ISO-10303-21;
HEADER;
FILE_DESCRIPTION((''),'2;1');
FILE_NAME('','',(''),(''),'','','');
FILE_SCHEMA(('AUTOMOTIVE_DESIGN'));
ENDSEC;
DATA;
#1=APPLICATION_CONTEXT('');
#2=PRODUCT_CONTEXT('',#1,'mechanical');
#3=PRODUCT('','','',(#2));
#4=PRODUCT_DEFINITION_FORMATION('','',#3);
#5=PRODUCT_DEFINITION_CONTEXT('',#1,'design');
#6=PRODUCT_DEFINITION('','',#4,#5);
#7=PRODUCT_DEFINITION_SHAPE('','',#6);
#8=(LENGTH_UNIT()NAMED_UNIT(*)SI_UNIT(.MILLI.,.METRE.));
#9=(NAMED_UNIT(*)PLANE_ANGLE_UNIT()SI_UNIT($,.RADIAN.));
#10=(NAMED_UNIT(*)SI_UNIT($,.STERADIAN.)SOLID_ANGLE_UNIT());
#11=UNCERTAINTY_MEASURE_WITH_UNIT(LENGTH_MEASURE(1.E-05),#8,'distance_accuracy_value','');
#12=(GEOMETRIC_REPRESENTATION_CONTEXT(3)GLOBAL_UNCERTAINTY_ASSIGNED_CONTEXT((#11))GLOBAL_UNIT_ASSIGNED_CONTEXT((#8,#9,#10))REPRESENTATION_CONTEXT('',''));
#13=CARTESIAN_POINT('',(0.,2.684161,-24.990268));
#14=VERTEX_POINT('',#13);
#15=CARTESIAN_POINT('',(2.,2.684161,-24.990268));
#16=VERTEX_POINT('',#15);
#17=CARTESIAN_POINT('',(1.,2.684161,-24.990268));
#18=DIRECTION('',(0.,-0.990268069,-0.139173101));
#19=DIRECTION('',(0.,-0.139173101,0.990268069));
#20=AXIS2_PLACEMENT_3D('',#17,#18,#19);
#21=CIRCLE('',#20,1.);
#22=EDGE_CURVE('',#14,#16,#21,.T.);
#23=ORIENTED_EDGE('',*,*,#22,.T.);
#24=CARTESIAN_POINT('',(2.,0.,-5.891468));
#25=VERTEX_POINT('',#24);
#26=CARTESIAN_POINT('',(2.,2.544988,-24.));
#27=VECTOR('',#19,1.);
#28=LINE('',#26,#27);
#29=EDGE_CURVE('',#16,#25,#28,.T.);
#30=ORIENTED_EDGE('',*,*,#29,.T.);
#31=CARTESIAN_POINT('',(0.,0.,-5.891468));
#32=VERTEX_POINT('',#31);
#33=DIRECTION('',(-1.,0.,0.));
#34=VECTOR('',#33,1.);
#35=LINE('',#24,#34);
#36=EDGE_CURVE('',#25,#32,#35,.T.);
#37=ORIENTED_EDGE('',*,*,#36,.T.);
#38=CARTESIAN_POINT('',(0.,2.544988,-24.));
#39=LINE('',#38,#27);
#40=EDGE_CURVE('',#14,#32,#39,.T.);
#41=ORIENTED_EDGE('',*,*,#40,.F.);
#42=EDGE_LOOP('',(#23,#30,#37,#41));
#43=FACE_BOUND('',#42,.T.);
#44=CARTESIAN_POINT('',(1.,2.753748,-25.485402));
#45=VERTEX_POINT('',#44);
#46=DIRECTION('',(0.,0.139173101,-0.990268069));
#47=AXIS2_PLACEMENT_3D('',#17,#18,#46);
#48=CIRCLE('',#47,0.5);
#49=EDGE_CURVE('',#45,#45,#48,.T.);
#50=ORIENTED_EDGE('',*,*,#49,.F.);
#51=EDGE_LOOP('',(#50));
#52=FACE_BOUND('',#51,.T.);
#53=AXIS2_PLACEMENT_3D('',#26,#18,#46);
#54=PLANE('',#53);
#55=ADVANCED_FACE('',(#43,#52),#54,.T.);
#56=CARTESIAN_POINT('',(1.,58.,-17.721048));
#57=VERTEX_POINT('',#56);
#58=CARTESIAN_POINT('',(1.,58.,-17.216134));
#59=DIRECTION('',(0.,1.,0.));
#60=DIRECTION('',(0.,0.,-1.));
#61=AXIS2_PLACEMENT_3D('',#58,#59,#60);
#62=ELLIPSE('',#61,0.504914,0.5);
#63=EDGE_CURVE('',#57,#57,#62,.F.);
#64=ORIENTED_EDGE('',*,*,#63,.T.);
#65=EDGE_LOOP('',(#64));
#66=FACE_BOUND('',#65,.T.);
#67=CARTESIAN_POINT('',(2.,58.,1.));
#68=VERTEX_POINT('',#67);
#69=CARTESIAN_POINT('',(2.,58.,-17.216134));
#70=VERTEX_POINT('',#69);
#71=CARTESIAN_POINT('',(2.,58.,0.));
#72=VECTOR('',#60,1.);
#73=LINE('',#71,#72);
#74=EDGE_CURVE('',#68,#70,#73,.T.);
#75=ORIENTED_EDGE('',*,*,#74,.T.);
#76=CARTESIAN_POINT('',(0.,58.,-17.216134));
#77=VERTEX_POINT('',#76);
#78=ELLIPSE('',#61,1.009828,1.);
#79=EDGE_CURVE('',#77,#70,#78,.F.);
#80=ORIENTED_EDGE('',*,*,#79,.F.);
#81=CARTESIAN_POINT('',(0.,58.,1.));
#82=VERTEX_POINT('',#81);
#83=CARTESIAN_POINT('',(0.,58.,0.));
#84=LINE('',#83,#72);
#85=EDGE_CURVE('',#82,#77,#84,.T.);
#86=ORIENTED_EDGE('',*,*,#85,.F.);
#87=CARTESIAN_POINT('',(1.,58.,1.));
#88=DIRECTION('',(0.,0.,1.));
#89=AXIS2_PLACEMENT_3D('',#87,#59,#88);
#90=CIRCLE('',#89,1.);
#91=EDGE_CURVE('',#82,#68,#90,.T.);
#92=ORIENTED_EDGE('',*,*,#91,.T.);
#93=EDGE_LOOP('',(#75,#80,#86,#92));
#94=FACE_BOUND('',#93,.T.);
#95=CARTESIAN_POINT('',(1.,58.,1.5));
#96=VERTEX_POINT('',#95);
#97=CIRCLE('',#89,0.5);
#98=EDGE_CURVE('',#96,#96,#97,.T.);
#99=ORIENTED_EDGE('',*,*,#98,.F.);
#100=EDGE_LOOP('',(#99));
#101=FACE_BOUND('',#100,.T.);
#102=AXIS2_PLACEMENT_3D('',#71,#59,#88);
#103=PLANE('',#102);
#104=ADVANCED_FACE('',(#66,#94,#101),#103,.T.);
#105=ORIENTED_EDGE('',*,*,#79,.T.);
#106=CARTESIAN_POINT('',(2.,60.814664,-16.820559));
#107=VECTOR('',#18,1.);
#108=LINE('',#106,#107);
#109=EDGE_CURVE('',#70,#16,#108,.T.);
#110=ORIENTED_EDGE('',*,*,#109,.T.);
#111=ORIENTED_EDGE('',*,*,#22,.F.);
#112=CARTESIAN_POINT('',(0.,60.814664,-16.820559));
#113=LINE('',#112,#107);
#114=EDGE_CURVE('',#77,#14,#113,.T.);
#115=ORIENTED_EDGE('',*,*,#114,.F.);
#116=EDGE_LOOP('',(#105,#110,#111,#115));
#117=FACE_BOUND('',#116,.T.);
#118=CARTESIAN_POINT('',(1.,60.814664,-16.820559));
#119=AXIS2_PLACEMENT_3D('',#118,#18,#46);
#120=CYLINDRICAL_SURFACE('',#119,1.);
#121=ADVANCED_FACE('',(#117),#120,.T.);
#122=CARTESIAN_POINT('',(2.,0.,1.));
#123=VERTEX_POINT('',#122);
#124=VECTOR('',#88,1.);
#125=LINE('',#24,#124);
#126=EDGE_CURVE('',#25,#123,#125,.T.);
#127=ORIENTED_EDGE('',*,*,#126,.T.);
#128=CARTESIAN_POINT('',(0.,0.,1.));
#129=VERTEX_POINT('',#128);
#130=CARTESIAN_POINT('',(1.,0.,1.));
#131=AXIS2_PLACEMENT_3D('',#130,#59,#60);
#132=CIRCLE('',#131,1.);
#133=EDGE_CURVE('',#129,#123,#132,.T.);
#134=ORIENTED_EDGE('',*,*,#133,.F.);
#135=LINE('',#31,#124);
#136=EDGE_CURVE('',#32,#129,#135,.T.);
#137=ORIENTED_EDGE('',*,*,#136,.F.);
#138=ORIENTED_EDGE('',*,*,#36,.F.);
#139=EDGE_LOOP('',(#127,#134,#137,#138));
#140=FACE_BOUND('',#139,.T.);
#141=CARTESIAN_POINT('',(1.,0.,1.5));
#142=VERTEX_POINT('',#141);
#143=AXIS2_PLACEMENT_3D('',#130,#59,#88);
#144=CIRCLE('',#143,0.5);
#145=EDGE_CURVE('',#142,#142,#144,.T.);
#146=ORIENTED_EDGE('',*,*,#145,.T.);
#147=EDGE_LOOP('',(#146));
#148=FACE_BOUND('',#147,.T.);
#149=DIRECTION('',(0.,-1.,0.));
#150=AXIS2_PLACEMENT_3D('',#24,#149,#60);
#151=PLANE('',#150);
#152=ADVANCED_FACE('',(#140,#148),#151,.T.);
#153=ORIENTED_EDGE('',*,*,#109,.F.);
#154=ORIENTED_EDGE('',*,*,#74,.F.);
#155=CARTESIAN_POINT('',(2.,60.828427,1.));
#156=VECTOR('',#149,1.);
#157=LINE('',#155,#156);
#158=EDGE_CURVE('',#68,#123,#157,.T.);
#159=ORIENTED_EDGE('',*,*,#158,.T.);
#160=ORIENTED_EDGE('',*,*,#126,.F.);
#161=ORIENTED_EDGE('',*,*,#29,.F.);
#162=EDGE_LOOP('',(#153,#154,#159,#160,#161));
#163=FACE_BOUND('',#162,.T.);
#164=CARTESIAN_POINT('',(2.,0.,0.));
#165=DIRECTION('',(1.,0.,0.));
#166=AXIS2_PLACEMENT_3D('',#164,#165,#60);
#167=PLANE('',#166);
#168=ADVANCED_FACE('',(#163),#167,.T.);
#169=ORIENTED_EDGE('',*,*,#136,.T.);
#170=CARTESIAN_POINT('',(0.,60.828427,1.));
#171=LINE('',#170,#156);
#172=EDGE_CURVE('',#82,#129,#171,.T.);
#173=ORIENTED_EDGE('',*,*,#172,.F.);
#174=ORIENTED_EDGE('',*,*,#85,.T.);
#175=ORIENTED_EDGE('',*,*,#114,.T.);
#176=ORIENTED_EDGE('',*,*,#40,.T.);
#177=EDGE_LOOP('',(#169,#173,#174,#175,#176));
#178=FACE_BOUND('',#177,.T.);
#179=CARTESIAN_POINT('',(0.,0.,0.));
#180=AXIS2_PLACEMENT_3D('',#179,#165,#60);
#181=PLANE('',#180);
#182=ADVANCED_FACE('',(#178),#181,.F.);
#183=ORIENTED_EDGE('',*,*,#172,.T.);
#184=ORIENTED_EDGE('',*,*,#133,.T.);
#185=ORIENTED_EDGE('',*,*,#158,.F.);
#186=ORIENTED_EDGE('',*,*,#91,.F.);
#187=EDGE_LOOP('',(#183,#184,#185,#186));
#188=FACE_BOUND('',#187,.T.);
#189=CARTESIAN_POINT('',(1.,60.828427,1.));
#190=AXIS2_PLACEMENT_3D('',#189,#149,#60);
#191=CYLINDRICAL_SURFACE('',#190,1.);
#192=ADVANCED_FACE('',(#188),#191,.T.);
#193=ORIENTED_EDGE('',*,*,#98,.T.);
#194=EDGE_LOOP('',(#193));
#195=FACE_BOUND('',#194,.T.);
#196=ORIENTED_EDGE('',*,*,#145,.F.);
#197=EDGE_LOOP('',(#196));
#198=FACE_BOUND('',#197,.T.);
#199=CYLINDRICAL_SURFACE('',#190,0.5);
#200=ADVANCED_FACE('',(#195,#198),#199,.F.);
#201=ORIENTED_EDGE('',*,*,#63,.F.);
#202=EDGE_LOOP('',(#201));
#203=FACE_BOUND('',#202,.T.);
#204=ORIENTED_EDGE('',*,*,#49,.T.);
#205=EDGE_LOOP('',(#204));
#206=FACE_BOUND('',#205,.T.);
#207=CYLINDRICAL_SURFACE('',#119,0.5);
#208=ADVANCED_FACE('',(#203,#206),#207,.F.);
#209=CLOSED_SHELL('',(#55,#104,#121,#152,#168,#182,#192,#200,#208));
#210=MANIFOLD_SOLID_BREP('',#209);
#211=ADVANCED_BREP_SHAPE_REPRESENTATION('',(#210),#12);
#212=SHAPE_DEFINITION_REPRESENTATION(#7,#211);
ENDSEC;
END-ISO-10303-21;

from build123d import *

# Parameters (mm, degrees)
EXTRUDE_1_DEPTH = 2
SKETCH_2_R      = 0.5
EXTRUDE_2_DEPTH = 58
EXTRUDE_3_REACH = 65.509
SKETCH_3_R      = 0.5


with BuildPart() as part:
    # Эскиз1 → Бобышка-Вытянуть1 (new body)
    with BuildSketch(Plane(origin=(0, 0, 0), x_dir=(0, 0, -1), z_dir=(1, 0, 0))):
        Polygon((0, 58), (16.206306346, 58), (24, 2.54498815), (5.89146837, 0), (0, 0), align=None)
    extrude(amount=EXTRUDE_1_DEPTH)

    # Эскиз2 → Бобышка-Вытянуть2 (add)
    with BuildSketch(Plane(origin=(0, 0, 0), x_dir=(1, 0, 0), z_dir=(0, 1, 0))):
        with BuildLine():
            Line((2, 0), (0, 0))
            Line((0, 0), (0, -1))
            ThreePointArc((0, -1), (1, -2), (2, -1))
            Line((2, -1), (2, 0))
        make_face()
        with Locations(Location((1, -1, 0), (0, 0, 270))):
            Circle(SKETCH_2_R, mode=Mode.SUBTRACT)
    extrude(amount=EXTRUDE_2_DEPTH)

    # Бобышка-Вытянуть3: up to this plane
    extrude_3_end = Plane(origin=(2, 58, 0), z_dir=(0, 1, 0))
    # Эскиз3 → Бобышка-Вытянуть3 (add, up to the surface)
    with BuildSketch(Plane(origin=(0, -0.811954382, -0.114112747), x_dir=(1, 0, 0), z_dir=(0, -0.9902680687415703, -0.13917310096006588)), mode=Mode.PRIVATE) as extrude_3_sk1:
        with BuildLine():
            Line((0, -25.120627543), (0, -24.120627543))
            Line((0, -24.120627543), (2, -24.120627543))
            Line((2, -24.120627543), (2, -25.120627543))
            ThreePointArc((2, -25.120627543), (1, -26.120627543), (0, -25.120627543))
        make_face()
        with Locations(Location((1, -25.120627543, 0), (0, 0, 270))):
            Circle(SKETCH_3_R, mode=Mode.SUBTRACT)
    extrude_3_tool1 = split(extrude(extrude_3_sk1.sketch, amount=-EXTRUDE_3_REACH, mode=Mode.PRIVATE), bisect_by=extrude_3_end, keep=Keep.BOTH, mode=Mode.PRIVATE)
    add(extrude_3_tool1.solids().sort_by_distance((1, 2.819398, -25.952527))[0])


solid = part.part
